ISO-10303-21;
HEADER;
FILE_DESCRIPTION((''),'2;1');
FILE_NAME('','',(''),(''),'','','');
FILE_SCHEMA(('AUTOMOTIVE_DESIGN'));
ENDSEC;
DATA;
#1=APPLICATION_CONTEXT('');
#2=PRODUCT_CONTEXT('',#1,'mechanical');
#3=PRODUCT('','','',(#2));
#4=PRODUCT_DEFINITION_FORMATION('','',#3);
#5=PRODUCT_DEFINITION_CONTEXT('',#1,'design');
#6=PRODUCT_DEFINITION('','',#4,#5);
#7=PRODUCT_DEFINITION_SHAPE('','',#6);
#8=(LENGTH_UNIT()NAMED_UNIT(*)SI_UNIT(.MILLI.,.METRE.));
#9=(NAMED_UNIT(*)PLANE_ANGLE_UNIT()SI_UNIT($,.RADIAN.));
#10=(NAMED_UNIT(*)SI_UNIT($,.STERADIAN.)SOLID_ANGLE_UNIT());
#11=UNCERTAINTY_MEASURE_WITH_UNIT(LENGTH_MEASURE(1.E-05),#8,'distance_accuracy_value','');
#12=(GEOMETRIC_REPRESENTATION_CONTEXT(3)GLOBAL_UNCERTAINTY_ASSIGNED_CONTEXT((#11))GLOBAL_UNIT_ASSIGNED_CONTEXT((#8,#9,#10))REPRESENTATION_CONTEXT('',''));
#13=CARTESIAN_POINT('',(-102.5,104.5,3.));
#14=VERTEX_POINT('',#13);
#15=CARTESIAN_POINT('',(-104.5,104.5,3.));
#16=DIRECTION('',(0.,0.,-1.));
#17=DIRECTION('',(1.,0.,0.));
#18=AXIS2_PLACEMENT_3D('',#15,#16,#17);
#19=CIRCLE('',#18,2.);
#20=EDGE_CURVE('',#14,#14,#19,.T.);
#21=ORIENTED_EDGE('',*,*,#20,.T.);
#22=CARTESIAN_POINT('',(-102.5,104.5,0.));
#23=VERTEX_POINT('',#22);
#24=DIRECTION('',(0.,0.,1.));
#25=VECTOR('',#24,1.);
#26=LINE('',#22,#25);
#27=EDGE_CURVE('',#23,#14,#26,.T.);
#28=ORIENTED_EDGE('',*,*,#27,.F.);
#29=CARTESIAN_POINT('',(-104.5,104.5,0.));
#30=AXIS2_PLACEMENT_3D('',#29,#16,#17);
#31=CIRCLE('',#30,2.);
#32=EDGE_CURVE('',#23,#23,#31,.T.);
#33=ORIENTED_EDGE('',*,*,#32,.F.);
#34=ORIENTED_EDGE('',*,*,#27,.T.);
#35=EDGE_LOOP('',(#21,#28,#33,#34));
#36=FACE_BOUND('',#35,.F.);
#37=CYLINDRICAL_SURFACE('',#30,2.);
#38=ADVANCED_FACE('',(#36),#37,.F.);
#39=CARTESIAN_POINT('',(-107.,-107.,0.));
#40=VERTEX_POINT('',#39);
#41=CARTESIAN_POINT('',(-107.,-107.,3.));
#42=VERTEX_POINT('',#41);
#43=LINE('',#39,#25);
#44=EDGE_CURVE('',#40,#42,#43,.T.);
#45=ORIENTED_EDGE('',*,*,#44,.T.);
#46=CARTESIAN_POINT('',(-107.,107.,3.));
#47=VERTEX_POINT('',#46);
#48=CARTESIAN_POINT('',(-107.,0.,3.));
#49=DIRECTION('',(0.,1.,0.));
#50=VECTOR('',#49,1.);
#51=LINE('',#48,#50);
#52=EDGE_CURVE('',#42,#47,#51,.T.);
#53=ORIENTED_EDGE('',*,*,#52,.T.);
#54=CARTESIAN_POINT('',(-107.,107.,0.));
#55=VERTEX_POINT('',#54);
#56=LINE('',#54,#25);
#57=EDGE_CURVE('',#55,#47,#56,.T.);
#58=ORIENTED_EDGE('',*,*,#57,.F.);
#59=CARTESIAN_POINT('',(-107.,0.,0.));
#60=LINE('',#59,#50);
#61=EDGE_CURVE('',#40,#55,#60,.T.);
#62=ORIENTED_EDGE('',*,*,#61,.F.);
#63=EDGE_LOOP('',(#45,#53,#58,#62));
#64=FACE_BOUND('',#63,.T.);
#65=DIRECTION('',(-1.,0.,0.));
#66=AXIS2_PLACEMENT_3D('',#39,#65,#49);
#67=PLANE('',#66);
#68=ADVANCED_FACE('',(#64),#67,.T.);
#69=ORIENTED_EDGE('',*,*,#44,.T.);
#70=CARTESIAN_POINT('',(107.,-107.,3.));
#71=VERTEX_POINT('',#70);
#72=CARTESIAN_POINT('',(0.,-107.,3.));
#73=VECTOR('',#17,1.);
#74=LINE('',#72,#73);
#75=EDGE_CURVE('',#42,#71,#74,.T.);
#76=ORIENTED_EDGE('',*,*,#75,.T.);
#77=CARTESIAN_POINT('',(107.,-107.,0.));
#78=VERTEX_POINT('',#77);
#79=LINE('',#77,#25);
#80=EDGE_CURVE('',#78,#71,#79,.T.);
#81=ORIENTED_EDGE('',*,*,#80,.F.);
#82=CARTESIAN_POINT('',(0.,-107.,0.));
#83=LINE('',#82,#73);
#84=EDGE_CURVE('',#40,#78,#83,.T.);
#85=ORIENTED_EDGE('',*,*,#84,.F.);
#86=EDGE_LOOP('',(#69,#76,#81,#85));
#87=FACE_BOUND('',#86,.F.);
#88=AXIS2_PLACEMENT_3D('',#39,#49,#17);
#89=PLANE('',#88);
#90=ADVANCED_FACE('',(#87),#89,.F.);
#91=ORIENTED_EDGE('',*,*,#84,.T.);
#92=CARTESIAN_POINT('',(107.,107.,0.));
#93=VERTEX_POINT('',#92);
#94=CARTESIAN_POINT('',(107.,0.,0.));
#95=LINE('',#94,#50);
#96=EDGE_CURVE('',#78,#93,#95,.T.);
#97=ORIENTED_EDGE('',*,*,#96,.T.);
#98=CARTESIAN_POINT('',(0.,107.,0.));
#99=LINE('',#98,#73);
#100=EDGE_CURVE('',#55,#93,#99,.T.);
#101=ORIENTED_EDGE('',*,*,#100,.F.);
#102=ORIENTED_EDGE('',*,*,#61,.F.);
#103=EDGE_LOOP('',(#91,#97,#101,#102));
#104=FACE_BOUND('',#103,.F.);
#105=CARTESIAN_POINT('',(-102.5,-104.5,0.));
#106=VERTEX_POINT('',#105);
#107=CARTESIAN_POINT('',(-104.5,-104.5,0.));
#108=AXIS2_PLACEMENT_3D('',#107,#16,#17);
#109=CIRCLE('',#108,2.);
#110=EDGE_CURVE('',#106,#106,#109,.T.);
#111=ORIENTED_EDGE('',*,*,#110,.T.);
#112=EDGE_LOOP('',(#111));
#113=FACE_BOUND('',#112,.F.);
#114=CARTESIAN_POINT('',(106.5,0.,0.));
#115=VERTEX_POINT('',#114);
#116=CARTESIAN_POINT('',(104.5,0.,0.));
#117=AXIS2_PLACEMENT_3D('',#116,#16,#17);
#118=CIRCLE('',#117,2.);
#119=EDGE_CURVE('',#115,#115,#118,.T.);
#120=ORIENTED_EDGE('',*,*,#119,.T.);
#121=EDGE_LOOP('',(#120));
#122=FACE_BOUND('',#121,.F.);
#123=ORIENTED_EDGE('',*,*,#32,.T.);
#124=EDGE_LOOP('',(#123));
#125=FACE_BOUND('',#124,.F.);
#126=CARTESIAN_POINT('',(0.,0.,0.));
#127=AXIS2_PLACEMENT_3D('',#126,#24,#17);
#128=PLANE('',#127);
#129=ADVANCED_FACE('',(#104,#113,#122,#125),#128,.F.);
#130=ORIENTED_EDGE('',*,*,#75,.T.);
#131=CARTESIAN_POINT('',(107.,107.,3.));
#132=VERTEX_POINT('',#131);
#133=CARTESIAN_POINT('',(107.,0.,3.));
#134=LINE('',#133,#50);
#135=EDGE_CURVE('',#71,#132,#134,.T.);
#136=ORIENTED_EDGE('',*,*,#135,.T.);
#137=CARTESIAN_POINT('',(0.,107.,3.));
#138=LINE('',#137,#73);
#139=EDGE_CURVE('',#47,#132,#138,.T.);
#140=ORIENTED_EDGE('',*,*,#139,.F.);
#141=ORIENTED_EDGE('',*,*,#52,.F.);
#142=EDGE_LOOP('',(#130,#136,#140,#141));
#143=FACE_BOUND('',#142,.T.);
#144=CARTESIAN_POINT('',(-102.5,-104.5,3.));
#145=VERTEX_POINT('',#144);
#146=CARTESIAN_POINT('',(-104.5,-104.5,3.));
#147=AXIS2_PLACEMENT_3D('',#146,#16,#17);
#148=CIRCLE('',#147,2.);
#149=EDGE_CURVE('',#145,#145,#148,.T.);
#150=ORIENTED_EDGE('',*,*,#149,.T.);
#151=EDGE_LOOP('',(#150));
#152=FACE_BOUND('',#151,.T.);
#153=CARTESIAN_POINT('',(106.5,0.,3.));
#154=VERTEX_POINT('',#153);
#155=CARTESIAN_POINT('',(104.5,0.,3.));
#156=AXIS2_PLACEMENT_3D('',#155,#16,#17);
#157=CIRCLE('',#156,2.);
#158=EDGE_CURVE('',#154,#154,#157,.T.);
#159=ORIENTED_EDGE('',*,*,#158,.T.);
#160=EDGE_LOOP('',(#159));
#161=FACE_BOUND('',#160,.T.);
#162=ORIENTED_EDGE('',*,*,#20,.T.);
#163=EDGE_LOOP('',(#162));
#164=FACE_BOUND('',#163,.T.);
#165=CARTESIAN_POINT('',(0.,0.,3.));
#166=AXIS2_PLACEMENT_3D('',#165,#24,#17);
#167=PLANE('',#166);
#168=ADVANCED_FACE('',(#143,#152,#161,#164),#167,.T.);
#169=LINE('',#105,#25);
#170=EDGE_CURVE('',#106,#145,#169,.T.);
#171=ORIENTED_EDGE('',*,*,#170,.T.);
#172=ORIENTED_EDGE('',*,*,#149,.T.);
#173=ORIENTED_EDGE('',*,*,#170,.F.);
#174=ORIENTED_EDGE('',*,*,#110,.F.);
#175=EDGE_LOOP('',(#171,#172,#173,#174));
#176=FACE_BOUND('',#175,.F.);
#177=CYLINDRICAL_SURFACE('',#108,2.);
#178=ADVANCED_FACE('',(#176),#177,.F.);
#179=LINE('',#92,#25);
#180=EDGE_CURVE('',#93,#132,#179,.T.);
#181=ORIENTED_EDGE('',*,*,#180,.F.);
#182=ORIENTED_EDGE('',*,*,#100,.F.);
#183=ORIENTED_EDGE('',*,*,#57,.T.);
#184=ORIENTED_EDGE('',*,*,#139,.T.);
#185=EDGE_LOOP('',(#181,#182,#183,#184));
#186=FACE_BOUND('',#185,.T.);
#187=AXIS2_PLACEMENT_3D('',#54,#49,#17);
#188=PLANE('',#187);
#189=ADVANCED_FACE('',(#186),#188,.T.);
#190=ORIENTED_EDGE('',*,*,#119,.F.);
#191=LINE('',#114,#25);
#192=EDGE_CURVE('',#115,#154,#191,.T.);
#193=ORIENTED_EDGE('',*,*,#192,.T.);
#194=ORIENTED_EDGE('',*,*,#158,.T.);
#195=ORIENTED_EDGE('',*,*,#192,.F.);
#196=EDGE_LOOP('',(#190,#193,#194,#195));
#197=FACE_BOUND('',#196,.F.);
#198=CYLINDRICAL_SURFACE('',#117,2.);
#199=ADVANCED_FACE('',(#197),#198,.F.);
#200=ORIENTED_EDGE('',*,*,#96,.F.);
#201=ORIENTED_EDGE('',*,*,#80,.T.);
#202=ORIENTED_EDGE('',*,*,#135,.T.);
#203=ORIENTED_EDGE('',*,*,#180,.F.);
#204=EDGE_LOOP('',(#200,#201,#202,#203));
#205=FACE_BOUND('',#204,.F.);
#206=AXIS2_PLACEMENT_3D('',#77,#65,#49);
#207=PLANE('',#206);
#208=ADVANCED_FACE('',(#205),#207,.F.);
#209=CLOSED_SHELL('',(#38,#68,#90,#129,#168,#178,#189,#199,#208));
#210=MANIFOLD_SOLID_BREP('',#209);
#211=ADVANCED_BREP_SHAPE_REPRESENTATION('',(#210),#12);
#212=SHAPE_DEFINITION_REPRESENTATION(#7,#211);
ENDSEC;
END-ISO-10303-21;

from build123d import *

# Parameters (mm, degrees)
F0_W     = 214
F0_H     = 214
F1_DEPTH = 3
F2_R     = 2
F3_DEPTH = 3.001


with BuildPart() as f1:
    # F0 (on Top) → F1 (new body)
    with BuildSketch(Plane.XY):
        Rectangle(F0_W, F0_H)
    extrude(amount=F1_DEPTH)

    # F2 (on face) → F3 (cut, through all)
    with BuildSketch(Plane(origin=(0, 0, 0), x_dir=(1, 0, 0), z_dir=(0, 0, -1))):
        with Locations((-104.5, -104.5)):
            Circle(F2_R)
        with Locations((-104.5, 104.5)):
            Circle(F2_R)
        with Locations((104.5, 0)):
            Circle(F2_R)
    extrude(amount=-F3_DEPTH, mode=Mode.SUBTRACT)


solid = f1.part
